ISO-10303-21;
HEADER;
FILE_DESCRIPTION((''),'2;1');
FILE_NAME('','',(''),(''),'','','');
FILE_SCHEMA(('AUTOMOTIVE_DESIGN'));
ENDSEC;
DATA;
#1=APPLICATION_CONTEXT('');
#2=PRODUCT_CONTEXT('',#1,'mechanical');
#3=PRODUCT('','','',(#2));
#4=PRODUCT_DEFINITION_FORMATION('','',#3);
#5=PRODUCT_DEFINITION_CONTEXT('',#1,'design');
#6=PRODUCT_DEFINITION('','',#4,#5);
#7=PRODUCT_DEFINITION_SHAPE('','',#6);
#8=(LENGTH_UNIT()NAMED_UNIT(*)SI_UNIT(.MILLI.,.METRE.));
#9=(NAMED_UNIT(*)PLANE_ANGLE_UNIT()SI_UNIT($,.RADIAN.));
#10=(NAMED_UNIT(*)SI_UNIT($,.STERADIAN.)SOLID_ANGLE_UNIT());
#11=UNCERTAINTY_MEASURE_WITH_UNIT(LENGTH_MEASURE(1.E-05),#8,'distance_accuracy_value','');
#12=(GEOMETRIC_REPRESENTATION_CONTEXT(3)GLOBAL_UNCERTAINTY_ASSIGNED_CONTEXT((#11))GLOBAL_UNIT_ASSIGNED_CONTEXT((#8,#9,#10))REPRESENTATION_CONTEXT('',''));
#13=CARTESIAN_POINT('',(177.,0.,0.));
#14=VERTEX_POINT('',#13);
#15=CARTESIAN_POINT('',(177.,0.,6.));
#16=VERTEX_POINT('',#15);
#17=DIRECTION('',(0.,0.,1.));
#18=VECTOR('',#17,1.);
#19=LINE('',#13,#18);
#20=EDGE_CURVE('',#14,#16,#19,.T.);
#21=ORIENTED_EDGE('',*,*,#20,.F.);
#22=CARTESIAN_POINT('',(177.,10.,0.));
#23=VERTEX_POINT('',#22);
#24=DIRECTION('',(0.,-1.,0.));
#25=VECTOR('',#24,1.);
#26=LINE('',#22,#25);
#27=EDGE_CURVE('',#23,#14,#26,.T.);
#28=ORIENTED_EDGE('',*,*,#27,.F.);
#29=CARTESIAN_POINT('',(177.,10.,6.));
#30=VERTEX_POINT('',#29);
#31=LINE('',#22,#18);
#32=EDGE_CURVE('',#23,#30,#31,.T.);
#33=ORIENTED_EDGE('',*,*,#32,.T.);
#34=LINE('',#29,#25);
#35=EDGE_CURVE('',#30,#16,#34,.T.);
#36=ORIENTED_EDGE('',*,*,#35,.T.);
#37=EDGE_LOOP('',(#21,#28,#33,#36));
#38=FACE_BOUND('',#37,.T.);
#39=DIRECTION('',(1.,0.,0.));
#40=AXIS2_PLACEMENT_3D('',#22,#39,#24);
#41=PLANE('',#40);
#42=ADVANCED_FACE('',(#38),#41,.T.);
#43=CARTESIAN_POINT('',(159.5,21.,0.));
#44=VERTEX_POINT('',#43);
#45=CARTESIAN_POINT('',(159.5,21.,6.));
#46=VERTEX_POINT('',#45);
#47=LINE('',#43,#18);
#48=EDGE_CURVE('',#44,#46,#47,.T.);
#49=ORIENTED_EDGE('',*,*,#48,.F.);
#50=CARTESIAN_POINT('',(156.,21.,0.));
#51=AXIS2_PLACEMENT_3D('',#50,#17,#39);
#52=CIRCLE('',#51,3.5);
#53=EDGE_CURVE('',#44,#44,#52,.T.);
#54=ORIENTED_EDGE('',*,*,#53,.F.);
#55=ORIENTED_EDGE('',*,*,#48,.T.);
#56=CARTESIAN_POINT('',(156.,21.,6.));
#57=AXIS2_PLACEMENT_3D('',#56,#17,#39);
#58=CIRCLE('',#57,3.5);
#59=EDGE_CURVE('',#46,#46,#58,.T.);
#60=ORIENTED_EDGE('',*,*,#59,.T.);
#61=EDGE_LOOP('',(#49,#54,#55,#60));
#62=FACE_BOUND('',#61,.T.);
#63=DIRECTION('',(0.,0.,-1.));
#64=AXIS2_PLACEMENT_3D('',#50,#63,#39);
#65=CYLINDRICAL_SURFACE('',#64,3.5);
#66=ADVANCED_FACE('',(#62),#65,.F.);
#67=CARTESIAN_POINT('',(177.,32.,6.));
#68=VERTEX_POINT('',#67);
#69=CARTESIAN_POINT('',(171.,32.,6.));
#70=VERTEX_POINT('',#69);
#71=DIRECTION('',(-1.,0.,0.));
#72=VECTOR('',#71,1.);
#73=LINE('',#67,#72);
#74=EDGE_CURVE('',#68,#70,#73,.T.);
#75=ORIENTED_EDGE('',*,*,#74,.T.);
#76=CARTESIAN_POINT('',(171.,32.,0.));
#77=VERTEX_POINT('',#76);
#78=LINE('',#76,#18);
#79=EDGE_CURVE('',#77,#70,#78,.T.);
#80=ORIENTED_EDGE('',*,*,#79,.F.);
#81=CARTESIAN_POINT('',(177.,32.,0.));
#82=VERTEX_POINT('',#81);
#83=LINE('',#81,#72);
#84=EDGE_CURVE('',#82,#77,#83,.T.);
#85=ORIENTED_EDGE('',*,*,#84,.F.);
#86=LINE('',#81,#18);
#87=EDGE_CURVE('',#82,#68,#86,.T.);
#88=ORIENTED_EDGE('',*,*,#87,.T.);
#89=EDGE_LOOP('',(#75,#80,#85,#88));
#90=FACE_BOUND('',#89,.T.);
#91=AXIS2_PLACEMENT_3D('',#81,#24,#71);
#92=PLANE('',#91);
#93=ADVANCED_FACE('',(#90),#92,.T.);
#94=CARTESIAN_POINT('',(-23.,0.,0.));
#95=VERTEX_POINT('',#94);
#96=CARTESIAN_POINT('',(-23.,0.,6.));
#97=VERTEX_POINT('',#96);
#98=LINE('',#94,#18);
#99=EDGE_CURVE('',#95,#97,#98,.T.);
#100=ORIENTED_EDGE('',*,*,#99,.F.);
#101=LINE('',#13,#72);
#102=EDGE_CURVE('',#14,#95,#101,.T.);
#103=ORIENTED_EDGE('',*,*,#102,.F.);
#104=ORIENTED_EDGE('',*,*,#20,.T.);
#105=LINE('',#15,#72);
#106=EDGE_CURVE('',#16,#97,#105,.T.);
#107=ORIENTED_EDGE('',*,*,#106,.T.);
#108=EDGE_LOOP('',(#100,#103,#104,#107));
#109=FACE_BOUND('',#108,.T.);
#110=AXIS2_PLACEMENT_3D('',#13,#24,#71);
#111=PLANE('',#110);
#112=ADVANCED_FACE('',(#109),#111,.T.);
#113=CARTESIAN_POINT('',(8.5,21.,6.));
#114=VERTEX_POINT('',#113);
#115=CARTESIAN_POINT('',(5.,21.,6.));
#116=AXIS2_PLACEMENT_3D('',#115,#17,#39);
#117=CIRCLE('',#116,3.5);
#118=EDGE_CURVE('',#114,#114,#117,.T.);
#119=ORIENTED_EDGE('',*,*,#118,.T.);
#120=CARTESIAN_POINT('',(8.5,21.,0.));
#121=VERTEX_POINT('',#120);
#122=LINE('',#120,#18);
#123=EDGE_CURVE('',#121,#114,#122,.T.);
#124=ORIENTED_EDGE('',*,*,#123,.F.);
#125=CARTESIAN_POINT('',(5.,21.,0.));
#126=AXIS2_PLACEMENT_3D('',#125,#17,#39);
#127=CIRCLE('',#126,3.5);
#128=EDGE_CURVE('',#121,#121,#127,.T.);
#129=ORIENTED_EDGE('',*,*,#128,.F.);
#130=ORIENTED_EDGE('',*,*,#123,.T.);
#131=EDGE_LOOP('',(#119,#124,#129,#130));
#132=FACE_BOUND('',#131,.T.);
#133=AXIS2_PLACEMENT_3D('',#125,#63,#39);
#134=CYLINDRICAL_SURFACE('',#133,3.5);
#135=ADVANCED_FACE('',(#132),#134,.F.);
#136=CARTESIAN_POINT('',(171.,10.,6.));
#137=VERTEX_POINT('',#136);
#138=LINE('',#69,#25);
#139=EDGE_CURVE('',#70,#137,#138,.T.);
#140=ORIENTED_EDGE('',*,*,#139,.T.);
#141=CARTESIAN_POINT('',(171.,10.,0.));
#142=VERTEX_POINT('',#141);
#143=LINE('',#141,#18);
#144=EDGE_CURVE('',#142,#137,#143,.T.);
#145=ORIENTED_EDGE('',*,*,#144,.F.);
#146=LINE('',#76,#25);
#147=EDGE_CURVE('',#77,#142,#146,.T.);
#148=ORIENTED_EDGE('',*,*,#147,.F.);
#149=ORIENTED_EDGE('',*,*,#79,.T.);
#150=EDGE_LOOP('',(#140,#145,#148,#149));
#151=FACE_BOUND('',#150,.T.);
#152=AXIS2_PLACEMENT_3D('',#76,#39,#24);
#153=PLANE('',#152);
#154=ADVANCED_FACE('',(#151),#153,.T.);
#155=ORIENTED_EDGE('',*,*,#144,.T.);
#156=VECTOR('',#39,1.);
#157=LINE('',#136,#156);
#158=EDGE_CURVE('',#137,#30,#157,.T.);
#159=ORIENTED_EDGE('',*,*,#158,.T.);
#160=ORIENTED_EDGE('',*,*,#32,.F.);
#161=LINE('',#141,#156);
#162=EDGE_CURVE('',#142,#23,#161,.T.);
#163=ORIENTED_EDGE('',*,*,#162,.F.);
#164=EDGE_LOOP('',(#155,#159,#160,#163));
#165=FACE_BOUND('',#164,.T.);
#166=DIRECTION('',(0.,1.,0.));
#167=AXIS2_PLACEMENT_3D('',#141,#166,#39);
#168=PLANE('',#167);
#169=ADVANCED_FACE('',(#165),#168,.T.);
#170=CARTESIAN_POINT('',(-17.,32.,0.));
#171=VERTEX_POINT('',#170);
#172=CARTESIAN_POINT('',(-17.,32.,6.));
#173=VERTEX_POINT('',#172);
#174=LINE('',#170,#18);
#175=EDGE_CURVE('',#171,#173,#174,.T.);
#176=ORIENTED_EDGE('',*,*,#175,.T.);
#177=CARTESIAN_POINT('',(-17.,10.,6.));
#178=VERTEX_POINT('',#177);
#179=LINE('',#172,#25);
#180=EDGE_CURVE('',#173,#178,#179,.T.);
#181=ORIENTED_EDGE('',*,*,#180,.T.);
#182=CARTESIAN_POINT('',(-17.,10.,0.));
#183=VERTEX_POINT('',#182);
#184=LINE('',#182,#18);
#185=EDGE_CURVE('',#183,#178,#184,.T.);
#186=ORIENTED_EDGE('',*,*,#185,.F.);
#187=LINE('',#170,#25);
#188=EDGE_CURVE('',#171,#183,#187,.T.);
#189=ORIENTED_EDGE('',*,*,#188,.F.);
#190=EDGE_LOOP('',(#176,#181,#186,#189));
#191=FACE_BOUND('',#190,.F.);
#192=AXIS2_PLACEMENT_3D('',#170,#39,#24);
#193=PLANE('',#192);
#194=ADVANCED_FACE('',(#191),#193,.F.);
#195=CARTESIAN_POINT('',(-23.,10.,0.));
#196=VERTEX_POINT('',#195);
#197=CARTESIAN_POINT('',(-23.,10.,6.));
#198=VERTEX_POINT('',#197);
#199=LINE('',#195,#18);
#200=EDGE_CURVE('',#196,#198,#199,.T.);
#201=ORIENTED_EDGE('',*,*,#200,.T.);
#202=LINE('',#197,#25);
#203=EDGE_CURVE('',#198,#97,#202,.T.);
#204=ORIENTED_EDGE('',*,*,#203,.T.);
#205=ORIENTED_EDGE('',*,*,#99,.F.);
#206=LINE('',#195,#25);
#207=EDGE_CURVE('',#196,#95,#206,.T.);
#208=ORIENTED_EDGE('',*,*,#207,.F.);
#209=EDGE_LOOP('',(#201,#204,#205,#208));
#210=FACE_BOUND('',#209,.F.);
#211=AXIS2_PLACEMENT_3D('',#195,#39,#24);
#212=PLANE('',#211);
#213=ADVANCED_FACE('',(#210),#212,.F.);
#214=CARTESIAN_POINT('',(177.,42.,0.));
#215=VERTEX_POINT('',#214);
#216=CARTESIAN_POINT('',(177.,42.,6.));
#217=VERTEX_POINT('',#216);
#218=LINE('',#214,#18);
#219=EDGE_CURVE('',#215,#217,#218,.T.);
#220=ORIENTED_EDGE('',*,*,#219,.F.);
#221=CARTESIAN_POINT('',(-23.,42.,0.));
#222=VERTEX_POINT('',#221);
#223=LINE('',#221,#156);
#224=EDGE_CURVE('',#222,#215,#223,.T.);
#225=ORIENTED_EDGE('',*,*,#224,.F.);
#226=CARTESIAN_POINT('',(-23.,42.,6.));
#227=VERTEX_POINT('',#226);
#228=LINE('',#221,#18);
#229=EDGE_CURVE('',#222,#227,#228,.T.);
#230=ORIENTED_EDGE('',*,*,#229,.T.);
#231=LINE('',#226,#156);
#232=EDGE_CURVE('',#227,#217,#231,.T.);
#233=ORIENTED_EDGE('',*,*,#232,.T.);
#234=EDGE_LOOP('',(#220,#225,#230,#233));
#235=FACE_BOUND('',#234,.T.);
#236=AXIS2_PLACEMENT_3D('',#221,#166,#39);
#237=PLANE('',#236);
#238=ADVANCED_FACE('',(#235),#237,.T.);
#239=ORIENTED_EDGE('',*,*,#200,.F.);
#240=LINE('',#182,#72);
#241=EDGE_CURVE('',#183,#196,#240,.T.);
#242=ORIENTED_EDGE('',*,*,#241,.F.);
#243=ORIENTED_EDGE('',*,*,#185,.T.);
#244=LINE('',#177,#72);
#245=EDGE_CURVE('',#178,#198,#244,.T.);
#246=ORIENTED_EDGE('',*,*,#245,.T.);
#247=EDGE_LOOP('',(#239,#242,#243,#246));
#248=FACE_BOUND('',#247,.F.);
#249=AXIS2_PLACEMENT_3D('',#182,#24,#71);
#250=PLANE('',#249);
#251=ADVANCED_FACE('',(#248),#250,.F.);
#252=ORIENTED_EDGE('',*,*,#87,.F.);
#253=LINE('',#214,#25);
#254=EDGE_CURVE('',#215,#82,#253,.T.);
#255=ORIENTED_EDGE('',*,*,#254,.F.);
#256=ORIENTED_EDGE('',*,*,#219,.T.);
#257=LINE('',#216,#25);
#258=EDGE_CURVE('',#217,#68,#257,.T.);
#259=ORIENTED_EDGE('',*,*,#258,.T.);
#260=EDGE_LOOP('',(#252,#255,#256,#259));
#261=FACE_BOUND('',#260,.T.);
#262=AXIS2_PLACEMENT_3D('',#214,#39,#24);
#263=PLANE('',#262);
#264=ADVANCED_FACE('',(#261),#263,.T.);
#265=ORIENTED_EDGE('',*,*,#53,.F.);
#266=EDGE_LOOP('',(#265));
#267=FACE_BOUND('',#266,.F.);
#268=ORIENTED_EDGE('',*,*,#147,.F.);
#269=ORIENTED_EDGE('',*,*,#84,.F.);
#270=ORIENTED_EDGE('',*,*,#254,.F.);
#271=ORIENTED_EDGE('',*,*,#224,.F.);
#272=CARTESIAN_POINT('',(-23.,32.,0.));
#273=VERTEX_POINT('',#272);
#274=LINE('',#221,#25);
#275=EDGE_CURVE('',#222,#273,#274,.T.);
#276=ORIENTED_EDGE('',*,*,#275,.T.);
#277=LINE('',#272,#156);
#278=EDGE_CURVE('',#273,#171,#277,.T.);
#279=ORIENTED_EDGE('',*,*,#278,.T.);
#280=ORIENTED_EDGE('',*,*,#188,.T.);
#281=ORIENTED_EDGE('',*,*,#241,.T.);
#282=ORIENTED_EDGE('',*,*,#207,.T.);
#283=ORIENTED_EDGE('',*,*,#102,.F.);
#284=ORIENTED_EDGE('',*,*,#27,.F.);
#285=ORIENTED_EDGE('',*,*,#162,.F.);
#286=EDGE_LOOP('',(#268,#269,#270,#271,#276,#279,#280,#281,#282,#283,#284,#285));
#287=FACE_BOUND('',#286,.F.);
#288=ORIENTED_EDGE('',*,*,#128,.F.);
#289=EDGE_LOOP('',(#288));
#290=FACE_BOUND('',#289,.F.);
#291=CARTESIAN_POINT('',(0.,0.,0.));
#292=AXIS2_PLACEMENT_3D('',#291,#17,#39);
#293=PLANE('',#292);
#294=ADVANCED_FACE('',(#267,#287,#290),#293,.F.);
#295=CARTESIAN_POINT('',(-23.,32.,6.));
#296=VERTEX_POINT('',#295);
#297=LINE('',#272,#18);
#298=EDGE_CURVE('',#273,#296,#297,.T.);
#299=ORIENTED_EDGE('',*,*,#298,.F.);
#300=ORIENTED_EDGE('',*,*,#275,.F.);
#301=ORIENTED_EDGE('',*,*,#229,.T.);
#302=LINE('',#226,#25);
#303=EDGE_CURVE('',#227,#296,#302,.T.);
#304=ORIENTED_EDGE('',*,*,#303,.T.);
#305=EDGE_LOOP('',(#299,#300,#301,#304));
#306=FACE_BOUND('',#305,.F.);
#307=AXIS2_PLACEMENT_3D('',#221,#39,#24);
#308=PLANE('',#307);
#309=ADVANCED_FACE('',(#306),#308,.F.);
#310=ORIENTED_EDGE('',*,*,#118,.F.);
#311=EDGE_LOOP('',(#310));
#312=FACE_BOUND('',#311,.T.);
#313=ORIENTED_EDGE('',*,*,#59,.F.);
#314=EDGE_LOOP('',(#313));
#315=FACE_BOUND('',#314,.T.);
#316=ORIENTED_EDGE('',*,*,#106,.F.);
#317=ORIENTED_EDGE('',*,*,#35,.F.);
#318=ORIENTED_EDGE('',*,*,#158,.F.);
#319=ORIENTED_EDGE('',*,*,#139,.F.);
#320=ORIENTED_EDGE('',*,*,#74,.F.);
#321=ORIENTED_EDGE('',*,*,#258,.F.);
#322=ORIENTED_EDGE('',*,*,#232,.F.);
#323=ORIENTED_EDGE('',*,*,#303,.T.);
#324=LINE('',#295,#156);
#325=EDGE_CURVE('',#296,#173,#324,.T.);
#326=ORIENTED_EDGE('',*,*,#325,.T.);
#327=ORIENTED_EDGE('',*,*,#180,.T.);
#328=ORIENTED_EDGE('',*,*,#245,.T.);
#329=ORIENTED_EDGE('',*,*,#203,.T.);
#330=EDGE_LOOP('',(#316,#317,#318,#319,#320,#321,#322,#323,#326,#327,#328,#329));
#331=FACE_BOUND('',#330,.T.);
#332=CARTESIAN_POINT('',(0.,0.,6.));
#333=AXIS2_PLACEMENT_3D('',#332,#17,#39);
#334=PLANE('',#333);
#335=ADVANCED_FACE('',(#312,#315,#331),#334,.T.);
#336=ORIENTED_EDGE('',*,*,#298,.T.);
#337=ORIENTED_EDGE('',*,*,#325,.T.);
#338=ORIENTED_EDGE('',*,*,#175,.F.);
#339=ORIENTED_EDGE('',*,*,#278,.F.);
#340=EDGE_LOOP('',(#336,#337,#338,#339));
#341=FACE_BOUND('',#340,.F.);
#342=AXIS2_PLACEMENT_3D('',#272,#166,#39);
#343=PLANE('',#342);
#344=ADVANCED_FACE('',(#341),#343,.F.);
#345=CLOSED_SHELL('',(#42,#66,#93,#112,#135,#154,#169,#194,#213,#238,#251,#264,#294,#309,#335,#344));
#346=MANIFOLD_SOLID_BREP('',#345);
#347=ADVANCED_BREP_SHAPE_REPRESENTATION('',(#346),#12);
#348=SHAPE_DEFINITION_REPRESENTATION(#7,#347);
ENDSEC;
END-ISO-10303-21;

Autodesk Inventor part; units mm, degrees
ref_plane "YZ Plane" through (0, 0, 0) normal (1, 0, 0) x (0, 1, 0)
ref_plane "XZ Plane" through (0, 0, 0) normal (0, 1, 0) x (-1, 0, 0)
ref_plane "XY Plane" through (0, 0, 0) normal (0, 0, 1) x (1, 0, 0)
sketch "Sketch1" plane through (0, 0, 0) normal (0, 0, 1) x (1, 0, 0)
  line L0 (-23, 42) -> (177, 42)
  line L1 (177, 0) -> (-23, 0)
  line L2 (-63, 0) -> (217, 0) projected
  line L3 (-23, 42) -> (-23, 32)
  line L4 (-23, 32) -> (-17, 32)
  line L5 (-17, 32) -> (-17, 10)
  line L6 (-17, 10) -> (-23, 10)
  line L7 (-23, 10) -> (-23, 0)
  line L8 (177, 42) -> (177, 32)
  line L9 (177, 32) -> (171, 32)
  line L10 (171, 32) -> (171, 10)
  line L11 (171, 10) -> (177, 10)
  line L12 (177, 10) -> (177, 0)
  circle A0 centre (156, 21) radius 3.5
  circle A1 centre (5, 21) radius 3.5
  point P0 (0, 0)
  point P1 (0, 0)
  dimension "d31" = 200
  dimension "d35" = 6
  dimension "d36" = 10
  dimension "d37" = 10
  dimension "d38" = 23
  dimension "d39" = 10
  dimension "d40" = 10
  dimension "d41" = 6
  dimension "d42" = 7
  dimension "d43" = 15
  dimension "d44" = 21
  dimension "d45" = 42
  dimension "d46" = 10
  dimension "d47" = 7
  dimension "d48" = 21
  dimension "d49" = 28
extrude "Extrusion3" add sketch "Sketch1" along normal blind 6
equation "\"d37\" = d36"
equation "\"d39\" = d36"
equation "\"d40\" = d39"
equation "\"d41\" = d35"
equation "\"d47\" = d42"
equation "\"d48\" = d44"
properties part number "Tope riel motor 2"
